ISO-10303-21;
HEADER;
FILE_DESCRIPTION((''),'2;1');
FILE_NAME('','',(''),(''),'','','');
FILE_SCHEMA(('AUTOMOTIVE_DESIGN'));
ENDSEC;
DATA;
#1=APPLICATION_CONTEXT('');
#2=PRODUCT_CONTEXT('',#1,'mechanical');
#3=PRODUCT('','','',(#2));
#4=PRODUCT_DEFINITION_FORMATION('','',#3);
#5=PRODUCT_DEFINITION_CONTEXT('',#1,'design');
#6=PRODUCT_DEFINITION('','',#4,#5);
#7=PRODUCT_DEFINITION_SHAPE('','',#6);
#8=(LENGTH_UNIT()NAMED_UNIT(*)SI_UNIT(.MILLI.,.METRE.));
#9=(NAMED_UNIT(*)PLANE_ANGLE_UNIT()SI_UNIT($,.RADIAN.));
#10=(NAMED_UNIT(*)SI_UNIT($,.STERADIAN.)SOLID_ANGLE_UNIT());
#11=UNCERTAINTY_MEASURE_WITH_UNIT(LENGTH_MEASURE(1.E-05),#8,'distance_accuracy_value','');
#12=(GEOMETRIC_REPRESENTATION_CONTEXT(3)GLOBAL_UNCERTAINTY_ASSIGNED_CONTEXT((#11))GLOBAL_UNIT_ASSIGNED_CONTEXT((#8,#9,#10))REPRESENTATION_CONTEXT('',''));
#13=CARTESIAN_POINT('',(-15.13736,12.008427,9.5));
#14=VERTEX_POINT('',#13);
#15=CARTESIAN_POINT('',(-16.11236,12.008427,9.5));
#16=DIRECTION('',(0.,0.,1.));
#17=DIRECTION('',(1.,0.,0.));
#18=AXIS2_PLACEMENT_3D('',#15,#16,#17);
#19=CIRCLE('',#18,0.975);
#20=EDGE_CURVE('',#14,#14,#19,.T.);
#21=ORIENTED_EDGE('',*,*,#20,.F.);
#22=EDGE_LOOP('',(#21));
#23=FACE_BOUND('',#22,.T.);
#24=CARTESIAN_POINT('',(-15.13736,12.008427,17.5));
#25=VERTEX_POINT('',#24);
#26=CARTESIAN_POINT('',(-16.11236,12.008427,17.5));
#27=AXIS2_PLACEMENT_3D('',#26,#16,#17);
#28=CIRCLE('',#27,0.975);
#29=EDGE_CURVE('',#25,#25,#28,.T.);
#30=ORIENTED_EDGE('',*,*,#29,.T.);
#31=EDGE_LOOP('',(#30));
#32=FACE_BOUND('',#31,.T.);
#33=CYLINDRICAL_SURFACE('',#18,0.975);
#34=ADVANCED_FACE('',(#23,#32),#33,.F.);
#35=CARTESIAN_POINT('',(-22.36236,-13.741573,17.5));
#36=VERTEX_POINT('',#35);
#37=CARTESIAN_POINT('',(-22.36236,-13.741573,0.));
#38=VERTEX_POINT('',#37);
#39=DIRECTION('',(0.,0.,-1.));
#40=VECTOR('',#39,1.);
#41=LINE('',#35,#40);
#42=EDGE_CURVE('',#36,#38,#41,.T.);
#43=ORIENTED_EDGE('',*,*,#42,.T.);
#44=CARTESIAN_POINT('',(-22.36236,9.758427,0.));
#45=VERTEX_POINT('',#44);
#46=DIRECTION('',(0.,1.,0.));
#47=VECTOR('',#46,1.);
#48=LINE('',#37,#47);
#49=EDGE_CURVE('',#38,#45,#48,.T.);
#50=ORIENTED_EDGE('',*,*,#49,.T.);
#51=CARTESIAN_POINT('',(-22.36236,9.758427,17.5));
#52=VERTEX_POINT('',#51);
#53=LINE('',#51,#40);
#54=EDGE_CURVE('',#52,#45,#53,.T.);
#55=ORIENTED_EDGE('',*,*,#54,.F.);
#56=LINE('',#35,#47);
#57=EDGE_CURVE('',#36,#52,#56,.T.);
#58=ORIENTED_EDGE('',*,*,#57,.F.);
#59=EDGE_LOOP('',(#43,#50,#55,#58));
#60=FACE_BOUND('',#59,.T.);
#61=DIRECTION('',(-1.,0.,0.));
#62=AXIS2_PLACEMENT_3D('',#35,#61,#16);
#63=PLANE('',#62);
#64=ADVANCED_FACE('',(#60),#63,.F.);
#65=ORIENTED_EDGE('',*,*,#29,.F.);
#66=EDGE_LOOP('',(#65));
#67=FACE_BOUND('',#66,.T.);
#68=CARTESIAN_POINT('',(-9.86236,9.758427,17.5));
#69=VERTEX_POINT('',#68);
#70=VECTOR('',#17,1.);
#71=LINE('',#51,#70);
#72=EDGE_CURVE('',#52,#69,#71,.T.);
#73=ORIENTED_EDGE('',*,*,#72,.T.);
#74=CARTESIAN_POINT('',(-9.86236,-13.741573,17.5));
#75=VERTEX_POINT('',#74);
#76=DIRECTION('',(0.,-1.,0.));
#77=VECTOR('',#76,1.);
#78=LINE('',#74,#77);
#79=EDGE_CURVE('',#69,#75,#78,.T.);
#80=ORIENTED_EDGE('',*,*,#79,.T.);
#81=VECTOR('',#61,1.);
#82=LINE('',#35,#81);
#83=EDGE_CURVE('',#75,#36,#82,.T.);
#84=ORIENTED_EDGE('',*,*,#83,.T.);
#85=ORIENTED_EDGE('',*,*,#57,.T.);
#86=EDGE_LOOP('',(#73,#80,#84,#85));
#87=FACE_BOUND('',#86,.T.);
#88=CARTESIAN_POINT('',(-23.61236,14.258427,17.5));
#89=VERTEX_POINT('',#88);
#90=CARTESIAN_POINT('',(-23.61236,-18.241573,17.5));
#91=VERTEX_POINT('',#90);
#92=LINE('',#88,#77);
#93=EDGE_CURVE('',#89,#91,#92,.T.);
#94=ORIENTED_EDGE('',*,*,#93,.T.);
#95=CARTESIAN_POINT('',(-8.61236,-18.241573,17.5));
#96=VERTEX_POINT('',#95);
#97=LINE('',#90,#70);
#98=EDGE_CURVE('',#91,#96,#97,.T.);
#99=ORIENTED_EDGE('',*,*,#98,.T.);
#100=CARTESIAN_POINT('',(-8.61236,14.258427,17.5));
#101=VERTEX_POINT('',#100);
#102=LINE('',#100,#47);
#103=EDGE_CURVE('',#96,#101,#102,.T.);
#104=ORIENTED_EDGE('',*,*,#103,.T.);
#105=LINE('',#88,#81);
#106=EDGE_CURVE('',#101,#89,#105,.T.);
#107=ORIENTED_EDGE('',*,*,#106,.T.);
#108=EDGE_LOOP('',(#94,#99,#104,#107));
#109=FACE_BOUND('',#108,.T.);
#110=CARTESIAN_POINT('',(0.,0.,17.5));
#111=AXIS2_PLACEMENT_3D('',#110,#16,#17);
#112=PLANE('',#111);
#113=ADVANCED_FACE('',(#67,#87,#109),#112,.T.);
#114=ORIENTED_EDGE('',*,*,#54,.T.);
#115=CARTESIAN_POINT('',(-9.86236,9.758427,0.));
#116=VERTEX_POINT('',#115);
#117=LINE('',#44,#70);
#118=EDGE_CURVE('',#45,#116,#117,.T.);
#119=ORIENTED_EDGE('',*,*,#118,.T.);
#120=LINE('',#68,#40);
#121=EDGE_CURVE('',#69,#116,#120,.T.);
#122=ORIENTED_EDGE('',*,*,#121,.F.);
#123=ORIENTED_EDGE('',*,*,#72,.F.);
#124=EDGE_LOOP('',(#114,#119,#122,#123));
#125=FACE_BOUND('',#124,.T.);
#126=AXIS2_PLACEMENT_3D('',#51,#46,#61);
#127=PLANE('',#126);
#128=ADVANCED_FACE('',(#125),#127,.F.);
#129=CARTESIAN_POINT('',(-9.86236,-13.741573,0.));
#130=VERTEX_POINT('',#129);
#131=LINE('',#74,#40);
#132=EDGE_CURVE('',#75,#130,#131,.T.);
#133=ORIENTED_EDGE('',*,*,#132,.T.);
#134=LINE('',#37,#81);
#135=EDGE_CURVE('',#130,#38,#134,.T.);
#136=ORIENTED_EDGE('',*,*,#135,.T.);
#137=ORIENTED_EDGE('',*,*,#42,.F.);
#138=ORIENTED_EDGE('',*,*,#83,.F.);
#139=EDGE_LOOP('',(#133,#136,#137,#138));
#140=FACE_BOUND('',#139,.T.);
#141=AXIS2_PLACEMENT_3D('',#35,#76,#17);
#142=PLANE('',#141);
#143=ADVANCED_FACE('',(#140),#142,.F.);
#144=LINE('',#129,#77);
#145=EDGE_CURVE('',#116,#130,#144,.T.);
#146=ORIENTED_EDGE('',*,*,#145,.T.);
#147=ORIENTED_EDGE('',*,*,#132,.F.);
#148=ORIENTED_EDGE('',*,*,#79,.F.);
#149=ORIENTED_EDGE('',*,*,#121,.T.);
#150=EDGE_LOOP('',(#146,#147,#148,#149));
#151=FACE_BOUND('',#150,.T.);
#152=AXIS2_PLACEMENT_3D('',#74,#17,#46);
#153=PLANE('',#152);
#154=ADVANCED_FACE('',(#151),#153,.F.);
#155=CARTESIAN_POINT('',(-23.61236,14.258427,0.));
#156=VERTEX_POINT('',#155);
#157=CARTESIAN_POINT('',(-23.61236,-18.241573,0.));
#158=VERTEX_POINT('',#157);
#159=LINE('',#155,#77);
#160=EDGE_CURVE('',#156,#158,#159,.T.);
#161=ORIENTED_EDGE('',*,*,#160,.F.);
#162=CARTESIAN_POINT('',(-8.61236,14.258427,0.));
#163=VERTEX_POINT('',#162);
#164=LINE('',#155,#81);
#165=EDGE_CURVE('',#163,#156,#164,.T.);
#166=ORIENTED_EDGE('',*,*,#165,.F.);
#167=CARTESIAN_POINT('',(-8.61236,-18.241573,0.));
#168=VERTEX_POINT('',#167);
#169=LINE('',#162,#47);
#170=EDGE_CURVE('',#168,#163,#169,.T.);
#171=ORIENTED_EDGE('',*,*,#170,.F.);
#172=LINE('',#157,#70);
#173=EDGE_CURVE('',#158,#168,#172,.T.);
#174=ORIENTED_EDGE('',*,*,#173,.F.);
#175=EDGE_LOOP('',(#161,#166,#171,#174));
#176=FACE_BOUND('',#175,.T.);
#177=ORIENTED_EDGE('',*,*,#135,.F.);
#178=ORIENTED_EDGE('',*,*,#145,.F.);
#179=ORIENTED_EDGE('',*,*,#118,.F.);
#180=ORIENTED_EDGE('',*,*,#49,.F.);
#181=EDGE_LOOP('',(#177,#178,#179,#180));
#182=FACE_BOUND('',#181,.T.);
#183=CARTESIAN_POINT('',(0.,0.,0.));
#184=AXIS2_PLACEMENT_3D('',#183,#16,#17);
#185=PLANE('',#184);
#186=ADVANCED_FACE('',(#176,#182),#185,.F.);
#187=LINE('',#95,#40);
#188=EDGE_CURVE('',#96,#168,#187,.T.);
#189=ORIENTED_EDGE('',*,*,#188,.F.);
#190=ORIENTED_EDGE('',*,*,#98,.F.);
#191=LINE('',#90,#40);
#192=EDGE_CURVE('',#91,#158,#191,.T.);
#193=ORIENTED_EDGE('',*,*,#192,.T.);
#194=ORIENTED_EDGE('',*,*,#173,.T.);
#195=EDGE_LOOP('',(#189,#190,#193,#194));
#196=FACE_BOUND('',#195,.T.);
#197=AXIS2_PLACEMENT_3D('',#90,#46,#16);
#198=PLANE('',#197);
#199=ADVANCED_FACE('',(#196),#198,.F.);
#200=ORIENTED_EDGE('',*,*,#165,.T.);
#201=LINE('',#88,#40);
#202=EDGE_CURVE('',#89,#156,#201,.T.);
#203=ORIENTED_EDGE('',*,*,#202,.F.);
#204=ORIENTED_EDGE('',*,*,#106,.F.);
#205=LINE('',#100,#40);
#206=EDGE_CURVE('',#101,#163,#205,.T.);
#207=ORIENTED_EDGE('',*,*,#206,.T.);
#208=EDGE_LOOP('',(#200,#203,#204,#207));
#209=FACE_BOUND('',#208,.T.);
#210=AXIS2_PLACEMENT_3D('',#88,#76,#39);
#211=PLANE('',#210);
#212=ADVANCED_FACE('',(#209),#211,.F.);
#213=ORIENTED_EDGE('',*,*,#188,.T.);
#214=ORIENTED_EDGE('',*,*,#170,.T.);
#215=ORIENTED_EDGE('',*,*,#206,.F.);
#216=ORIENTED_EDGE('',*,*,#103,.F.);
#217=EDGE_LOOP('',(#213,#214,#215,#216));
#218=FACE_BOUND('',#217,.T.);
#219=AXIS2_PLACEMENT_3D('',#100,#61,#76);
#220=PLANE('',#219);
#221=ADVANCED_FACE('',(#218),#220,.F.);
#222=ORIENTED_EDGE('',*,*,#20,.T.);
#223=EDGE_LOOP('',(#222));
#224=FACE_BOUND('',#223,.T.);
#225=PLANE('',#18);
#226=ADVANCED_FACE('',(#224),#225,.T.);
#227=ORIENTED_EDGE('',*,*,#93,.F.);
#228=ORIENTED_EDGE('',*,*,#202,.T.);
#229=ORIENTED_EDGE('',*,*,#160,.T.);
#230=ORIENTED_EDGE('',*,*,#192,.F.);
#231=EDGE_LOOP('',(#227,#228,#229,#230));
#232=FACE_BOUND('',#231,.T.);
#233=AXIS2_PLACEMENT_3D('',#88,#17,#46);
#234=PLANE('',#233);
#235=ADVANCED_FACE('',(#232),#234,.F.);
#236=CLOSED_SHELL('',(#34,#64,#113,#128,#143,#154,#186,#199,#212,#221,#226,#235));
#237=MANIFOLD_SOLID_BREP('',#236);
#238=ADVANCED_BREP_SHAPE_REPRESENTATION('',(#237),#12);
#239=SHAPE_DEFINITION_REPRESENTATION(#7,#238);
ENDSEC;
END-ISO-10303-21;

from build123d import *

# Parameters (mm, degrees)
SKETCH2_W           = 15
SKETCH2_H           = 32.5
BOSS_EXTRUDE1_DEPTH = 17.5
SKETCH3_W           = 12.5
SKETCH3_H           = 23.5
CUT_EXTRUDE1_DEPTH  = 17.5
SKETCH5_R           = 0.975
CUT_EXTRUDE2_DEPTH  = 8


with BuildPart() as part:
    # Sketch2 → Boss-Extrude1 (new body)
    with BuildSketch(Plane.XY):
        with Locations((-16.112359551, -1.991573034)):
            Rectangle(SKETCH2_W, SKETCH2_H)
    extrude(amount=BOSS_EXTRUDE1_DEPTH)

    # Sketch3 → Cut-Extrude1 (cut)
    with BuildSketch(Plane(origin=(0, 0, 0), x_dir=(-1, 0, 0), z_dir=(0, 0, -1))):
        with Locations((16.112359551, -1.991573034)):
            Rectangle(SKETCH3_W, SKETCH3_H)
    extrude(amount=-CUT_EXTRUDE1_DEPTH, mode=Mode.SUBTRACT)

    # Sketch5 → Cut-Extrude2 (cut)
    with BuildSketch(Plane.XY.offset(17.5)):
        with Locations((-16.112359551, 12.008426966)):
            Circle(SKETCH5_R)
    extrude(amount=-CUT_EXTRUDE2_DEPTH, mode=Mode.SUBTRACT)


solid = part.part
